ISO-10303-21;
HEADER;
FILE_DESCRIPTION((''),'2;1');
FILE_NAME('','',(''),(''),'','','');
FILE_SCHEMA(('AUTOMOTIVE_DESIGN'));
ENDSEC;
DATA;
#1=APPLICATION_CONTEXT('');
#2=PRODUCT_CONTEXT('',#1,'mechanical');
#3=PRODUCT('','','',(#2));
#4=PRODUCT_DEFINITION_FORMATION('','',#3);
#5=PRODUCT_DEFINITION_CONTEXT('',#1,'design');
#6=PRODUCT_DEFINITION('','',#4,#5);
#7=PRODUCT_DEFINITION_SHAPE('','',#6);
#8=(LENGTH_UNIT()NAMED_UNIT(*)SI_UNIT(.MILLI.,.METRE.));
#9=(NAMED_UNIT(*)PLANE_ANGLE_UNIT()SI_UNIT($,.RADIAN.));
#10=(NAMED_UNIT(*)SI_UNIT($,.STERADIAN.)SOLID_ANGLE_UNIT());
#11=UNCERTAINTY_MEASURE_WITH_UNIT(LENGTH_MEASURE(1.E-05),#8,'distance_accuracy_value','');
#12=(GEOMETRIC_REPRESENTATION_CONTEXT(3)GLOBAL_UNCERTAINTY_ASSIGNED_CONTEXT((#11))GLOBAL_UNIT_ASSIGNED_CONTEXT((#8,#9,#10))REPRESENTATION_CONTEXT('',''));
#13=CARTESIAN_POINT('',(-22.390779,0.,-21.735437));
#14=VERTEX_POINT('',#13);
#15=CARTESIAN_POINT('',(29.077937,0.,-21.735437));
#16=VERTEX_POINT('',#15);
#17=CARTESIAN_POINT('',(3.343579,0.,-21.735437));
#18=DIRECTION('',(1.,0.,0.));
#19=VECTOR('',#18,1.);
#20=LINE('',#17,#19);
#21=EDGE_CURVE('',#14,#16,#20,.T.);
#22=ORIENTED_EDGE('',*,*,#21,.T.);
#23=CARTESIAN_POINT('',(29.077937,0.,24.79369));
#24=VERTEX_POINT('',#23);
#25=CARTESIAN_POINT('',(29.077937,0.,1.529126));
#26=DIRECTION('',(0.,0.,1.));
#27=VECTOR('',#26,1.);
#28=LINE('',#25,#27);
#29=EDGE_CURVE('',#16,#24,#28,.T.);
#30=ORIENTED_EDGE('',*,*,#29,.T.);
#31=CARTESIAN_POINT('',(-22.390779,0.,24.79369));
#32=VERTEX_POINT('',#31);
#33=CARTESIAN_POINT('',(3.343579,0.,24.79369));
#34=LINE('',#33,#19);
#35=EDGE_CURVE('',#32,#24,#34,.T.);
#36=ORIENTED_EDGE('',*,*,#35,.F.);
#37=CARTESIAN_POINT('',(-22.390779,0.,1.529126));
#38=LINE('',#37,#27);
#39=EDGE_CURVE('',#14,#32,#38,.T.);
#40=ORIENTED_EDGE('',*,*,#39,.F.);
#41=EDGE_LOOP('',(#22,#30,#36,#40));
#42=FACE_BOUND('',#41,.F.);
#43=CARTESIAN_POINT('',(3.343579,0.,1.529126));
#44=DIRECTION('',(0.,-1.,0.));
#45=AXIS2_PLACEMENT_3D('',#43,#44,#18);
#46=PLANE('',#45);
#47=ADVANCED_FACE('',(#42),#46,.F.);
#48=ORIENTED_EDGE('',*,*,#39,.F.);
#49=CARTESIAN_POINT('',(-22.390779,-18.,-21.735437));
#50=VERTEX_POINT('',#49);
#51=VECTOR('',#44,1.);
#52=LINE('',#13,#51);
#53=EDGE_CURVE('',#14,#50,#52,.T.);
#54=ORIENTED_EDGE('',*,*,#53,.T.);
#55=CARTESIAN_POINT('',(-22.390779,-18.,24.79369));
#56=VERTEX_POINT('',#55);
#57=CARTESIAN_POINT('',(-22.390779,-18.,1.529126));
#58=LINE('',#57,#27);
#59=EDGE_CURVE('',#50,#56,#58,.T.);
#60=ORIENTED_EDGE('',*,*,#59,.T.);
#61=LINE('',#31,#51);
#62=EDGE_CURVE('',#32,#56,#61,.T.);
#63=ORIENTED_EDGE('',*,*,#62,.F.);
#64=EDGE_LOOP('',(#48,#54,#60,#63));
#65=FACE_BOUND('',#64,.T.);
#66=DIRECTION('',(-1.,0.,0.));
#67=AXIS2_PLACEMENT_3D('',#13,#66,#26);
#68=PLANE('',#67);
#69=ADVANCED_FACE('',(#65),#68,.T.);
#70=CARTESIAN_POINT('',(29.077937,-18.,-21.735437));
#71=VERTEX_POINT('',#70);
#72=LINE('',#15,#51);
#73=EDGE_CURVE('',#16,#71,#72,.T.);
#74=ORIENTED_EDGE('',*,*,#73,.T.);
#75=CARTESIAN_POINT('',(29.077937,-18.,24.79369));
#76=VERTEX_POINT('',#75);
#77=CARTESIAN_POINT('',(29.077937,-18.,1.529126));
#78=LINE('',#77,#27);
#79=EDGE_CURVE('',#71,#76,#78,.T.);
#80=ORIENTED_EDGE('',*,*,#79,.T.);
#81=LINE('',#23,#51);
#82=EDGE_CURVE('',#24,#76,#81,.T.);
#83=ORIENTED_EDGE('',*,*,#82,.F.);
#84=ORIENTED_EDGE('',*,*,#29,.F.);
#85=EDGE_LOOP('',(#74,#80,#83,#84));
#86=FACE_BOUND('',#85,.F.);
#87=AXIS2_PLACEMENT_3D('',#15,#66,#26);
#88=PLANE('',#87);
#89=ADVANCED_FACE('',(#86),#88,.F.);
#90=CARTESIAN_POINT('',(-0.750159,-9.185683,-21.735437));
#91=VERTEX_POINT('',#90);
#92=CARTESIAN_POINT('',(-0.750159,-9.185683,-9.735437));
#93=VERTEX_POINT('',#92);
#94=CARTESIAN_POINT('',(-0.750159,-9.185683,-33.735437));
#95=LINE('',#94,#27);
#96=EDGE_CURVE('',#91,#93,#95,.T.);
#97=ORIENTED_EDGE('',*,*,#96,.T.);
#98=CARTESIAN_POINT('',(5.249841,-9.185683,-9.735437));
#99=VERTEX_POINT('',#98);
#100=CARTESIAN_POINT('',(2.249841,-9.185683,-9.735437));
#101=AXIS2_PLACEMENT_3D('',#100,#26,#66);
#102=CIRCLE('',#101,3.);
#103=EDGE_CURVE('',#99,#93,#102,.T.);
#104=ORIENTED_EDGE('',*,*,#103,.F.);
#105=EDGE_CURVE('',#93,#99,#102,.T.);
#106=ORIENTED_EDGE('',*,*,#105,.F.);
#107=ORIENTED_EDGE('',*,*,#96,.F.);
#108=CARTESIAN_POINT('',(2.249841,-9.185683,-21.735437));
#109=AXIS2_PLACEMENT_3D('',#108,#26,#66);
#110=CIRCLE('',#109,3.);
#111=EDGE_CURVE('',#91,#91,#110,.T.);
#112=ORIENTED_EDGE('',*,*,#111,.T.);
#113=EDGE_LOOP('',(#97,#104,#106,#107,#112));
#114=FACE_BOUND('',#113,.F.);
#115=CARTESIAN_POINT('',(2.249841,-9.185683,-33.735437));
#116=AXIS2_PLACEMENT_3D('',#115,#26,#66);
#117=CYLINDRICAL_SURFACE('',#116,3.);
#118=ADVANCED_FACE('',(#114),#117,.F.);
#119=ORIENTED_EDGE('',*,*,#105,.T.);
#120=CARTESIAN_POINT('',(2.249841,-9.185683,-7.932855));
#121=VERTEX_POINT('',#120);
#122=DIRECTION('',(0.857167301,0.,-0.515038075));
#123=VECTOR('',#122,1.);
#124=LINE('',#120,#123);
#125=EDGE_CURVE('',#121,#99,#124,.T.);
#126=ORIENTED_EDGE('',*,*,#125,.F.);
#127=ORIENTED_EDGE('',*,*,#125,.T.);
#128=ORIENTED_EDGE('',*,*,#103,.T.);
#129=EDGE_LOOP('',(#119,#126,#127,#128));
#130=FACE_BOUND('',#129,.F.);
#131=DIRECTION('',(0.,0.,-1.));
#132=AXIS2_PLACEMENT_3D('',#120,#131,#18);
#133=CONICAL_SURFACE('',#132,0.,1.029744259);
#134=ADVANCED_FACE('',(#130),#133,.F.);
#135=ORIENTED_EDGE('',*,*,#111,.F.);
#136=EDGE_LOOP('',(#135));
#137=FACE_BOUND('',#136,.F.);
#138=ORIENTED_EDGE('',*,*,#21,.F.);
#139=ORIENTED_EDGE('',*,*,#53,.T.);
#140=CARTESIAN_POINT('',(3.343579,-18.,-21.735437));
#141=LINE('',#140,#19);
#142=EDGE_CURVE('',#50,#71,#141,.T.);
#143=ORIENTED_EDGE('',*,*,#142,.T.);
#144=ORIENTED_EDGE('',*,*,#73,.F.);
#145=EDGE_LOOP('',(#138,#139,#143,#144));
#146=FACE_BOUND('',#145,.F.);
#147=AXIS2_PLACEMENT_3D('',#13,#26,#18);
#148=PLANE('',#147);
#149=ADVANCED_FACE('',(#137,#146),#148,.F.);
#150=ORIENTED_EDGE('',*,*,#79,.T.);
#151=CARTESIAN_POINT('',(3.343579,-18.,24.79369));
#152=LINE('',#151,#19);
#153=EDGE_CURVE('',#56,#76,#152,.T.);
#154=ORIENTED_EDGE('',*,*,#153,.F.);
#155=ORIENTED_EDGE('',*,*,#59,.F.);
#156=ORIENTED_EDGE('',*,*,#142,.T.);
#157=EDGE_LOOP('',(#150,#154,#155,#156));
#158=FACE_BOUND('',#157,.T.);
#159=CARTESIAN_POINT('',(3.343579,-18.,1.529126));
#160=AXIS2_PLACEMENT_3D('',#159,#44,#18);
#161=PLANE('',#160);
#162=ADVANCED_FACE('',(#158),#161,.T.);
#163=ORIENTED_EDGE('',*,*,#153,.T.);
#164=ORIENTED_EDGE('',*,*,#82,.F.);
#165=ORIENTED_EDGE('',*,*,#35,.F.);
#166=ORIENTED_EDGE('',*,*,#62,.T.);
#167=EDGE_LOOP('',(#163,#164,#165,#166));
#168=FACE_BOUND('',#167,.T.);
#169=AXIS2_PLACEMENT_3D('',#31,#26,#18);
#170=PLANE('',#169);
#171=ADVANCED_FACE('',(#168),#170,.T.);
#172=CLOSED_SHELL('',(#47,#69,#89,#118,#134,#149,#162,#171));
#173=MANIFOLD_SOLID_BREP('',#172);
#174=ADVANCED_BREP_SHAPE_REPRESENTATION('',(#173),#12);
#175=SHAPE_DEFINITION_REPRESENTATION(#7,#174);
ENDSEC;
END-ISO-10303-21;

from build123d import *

# Parameters (mm, degrees)
F0_W     = 51.468716003
F0_H     = 46.5291272849
F1_DEPTH = 18
F3_D     = 6
F3_DEPTH = 12
F3_TIP   = 1.8025818571


with BuildPart() as f1:
    # F0 (on Front) → F1 (new body)
    with BuildSketch(Plane.XZ):
        with Locations((3.3435788937, 1.5291264281)):
            Rectangle(F0_W, F0_H)
    extrude(amount=F1_DEPTH)

    # F3
    with Locations(Plane(origin=(0, 0, -21.7354372144), x_dir=(1, 0, 0), z_dir=(0, 0, -1))):
        with Locations((2.2498408798, 9.1856829822)):
            Hole(F3_D / 2, depth=F3_DEPTH)
            with Locations((0, 0, -(F3_DEPTH + F3_TIP / 2))):  # 118° drill point
                Cone(0, F3_D / 2, F3_TIP, mode=Mode.SUBTRACT)


solid = f1.part
